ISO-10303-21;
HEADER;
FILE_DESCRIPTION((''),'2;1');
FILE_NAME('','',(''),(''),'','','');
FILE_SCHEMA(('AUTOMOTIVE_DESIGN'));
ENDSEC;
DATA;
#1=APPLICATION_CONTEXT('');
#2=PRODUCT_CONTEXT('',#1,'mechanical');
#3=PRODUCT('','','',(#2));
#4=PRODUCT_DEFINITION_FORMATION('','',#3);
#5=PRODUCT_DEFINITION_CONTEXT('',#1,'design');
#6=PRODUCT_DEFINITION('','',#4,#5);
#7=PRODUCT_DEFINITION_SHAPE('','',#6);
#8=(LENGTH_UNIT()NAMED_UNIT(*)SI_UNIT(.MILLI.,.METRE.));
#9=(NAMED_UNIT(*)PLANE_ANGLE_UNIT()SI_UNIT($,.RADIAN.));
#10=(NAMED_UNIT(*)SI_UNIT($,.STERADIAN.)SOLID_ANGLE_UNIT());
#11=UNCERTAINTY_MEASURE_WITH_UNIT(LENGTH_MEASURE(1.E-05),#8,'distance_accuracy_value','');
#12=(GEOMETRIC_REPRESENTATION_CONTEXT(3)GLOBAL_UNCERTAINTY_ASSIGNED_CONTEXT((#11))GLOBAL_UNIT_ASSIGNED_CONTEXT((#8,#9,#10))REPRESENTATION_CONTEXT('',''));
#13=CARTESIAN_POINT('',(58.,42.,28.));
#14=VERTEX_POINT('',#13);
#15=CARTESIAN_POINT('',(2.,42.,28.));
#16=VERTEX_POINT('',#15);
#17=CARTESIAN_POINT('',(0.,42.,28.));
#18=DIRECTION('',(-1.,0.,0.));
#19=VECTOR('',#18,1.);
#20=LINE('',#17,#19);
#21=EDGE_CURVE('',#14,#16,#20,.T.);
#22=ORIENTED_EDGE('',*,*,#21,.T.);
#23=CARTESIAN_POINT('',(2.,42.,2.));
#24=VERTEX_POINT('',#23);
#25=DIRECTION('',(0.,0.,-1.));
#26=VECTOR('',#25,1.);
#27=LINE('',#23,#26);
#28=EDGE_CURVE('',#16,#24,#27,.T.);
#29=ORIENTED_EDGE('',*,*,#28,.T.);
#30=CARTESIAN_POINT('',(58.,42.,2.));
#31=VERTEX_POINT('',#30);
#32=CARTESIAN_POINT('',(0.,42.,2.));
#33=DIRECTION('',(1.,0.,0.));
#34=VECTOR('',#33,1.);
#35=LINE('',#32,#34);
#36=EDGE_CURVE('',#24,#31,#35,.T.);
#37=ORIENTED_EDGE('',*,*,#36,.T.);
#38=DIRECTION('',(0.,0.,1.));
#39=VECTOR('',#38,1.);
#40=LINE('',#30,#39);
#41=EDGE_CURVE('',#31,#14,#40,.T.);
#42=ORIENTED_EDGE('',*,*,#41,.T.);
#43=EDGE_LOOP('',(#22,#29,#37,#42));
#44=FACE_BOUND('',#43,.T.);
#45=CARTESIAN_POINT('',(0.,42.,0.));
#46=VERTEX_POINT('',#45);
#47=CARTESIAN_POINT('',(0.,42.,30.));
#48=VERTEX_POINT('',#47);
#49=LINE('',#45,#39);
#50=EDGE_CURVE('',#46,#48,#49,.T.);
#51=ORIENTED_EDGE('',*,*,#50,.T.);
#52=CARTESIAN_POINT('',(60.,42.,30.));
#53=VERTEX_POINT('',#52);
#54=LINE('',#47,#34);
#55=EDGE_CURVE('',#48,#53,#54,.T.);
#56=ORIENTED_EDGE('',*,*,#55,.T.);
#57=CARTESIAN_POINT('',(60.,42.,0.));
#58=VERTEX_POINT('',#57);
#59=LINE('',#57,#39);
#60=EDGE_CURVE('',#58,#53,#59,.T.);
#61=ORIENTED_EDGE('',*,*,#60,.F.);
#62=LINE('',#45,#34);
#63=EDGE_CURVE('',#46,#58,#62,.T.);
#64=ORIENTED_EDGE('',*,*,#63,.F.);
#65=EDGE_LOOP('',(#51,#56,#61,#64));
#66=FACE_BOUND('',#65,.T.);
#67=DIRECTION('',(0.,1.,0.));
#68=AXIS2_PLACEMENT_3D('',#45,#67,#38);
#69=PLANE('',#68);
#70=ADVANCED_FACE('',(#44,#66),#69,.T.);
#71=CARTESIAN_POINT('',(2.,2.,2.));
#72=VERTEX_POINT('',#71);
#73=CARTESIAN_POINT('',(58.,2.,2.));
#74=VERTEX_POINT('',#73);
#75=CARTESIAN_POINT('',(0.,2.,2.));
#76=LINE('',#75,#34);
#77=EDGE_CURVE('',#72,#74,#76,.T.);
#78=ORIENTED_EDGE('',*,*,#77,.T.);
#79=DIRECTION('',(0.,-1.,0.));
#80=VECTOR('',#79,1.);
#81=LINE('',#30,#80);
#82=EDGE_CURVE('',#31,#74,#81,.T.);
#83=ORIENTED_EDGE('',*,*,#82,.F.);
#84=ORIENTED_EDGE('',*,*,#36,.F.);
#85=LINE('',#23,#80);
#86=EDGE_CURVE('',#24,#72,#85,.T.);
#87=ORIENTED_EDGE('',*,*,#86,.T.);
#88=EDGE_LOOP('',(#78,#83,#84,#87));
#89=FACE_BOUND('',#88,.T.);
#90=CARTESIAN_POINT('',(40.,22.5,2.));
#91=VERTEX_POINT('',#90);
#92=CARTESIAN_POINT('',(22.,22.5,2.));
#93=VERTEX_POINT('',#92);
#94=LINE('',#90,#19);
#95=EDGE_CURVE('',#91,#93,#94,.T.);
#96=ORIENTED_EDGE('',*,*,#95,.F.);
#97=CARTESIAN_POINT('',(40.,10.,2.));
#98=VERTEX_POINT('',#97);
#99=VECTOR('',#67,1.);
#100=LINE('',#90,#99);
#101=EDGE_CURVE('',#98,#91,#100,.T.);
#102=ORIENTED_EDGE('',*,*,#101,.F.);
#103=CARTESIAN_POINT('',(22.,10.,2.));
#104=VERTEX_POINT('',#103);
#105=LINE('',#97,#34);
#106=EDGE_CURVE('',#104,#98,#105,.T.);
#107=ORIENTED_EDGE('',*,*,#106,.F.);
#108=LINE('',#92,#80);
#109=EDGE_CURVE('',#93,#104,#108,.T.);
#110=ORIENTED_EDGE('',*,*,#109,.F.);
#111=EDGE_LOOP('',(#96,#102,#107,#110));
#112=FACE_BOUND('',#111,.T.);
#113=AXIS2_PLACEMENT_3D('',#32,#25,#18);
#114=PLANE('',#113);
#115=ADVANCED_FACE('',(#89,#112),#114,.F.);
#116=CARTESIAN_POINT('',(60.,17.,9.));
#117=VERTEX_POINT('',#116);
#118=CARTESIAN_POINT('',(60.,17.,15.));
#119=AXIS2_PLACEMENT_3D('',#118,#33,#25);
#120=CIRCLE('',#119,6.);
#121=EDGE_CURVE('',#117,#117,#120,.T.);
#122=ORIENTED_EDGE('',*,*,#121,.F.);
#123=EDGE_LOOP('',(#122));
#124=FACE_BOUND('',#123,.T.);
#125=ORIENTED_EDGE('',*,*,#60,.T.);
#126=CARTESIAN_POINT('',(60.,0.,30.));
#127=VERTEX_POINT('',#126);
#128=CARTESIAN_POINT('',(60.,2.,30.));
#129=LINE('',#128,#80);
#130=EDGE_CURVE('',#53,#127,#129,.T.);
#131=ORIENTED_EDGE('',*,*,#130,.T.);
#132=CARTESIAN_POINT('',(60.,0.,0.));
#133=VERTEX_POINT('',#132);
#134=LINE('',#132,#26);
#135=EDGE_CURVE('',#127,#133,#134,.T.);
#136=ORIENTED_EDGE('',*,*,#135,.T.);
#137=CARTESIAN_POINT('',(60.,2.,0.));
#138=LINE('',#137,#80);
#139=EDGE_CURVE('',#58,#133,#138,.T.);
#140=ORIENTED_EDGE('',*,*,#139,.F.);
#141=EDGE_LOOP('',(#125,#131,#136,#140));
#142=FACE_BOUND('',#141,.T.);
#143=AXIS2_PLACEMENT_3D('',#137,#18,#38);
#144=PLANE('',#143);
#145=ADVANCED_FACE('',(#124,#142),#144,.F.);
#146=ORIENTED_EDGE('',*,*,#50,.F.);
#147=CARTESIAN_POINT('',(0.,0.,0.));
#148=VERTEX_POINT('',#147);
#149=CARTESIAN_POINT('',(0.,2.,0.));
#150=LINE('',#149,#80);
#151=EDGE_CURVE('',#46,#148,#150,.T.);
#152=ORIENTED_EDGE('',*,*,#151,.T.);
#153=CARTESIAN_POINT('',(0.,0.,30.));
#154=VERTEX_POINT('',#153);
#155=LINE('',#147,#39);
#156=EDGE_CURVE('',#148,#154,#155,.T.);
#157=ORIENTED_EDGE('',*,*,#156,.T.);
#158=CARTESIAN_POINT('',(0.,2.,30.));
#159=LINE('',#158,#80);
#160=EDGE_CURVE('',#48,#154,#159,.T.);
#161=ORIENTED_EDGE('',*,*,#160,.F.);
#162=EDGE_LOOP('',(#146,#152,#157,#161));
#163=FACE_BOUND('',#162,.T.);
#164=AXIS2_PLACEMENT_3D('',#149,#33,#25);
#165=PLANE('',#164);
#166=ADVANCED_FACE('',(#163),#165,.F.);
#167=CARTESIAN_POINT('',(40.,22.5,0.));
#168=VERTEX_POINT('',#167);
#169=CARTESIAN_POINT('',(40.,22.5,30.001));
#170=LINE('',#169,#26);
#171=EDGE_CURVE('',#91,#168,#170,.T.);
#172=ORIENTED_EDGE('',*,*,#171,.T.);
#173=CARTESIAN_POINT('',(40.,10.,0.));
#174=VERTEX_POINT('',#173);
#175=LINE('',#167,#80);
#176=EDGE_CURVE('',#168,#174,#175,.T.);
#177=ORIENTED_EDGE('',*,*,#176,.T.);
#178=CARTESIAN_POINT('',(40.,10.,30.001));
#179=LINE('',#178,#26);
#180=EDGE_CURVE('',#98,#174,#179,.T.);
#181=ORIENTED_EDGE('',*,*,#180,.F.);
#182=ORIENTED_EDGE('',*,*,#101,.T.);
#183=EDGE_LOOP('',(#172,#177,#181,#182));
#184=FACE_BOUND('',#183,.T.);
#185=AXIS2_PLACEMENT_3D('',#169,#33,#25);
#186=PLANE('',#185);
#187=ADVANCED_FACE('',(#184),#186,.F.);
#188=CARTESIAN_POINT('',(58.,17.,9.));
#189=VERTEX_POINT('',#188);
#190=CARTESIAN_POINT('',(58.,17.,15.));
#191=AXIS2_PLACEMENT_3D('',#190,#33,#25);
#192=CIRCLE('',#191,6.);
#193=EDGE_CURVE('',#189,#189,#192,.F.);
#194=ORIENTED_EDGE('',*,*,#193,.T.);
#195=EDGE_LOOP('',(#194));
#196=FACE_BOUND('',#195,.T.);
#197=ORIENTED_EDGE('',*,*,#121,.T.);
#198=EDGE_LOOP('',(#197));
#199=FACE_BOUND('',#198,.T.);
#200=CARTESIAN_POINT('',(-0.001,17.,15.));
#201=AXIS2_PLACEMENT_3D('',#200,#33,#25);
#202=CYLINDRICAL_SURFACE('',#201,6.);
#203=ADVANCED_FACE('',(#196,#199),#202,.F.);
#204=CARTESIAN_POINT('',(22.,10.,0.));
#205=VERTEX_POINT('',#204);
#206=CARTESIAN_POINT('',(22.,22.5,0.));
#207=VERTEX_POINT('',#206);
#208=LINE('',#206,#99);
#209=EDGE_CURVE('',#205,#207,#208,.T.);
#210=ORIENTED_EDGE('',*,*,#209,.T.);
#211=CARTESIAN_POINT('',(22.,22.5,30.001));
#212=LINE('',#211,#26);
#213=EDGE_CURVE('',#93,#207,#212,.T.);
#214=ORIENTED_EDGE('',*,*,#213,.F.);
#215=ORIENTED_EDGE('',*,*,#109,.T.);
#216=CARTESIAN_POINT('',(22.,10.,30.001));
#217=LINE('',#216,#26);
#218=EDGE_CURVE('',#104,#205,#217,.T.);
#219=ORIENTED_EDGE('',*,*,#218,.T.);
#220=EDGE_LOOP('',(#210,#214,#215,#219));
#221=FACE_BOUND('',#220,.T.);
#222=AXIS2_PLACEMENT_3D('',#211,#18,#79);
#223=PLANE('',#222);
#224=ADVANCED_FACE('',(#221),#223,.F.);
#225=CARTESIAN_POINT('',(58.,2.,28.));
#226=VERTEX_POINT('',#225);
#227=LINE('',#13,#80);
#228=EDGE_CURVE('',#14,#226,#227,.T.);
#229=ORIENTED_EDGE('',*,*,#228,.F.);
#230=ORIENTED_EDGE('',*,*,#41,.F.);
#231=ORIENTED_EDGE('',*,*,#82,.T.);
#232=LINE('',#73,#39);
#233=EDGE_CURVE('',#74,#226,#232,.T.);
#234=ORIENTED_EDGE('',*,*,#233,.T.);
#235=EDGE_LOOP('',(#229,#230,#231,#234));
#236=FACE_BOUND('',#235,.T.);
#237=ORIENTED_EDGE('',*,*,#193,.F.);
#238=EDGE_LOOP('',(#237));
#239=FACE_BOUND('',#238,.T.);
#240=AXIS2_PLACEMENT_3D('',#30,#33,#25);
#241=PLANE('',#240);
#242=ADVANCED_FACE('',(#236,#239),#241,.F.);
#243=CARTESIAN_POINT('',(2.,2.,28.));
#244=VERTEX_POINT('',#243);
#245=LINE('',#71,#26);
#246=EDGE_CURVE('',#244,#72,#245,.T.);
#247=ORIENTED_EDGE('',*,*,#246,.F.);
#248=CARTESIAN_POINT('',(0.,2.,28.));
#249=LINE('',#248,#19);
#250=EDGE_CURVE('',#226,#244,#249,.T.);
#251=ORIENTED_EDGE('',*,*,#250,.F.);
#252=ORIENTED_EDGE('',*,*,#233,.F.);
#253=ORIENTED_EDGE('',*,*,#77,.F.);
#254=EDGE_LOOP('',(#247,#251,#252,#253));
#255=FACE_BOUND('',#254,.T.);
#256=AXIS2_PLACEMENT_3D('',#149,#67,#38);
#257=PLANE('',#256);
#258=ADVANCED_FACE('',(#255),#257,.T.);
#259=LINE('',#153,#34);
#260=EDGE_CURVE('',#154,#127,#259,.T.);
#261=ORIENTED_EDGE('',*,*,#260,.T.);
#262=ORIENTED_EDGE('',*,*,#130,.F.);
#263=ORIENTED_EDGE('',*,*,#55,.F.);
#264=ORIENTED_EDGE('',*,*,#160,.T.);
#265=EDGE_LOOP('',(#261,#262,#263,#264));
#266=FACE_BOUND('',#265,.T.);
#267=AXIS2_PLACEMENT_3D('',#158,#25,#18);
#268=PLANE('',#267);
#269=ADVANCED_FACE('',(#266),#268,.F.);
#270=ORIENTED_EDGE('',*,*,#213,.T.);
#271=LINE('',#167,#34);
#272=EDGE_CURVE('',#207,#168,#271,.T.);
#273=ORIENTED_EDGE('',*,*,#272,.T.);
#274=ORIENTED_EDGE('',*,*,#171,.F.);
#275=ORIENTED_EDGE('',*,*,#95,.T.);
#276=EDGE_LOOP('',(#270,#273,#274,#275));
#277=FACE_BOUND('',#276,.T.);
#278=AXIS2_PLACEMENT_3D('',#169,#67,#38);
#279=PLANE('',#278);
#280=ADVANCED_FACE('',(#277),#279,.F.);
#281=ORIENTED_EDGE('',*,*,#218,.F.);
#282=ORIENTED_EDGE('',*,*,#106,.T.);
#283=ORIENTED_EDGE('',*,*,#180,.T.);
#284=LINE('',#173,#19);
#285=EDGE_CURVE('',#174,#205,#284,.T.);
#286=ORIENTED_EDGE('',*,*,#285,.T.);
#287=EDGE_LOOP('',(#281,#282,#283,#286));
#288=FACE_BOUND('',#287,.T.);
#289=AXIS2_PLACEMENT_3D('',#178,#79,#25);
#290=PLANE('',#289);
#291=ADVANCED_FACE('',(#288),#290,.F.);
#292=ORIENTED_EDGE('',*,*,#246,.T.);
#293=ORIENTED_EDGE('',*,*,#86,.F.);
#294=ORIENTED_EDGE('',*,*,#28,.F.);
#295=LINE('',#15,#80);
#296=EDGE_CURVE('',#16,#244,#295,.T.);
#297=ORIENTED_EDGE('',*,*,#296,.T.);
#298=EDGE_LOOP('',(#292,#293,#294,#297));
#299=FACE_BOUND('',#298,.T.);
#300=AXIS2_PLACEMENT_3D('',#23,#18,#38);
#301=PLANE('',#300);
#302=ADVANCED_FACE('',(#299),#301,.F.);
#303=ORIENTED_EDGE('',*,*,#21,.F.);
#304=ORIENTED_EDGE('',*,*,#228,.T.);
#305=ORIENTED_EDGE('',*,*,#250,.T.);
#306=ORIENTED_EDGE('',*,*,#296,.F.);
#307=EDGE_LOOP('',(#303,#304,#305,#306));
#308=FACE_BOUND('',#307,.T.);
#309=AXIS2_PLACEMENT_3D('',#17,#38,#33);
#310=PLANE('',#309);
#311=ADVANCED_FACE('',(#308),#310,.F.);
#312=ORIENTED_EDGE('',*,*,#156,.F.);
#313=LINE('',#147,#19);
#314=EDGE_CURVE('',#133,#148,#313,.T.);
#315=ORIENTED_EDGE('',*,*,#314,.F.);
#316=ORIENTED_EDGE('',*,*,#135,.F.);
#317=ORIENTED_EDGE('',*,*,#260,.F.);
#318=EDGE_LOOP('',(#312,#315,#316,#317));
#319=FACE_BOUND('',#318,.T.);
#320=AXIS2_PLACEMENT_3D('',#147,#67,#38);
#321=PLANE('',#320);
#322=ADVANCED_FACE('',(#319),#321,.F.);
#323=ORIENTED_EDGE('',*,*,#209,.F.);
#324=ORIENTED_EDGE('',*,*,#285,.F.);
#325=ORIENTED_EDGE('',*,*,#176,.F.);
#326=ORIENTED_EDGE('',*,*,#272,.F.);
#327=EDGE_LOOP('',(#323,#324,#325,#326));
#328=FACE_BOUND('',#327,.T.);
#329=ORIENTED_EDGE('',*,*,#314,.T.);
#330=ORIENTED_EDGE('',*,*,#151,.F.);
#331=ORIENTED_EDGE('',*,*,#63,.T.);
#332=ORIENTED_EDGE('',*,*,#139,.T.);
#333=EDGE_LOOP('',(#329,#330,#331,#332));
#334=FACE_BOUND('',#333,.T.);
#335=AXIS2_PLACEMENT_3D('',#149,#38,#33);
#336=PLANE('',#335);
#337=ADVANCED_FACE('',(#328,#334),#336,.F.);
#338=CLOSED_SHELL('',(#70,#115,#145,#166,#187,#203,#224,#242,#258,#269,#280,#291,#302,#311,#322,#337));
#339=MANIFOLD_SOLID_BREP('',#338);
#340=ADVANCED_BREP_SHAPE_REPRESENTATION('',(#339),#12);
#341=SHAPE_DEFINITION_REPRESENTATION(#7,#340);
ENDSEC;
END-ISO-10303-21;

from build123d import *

# Parameters (mm, degrees)
SKETCH1_W           = 60
SKETCH1_H           = 30
BOSS_EXTRUDE1_DEPTH = 2
SKETCH2_W           = 60
SKETCH2_H           = 2
BOSS_EXTRUDE2_DEPTH = 40
SKETCH3_W           = 60
SKETCH3_H           = 2
BOSS_EXTRUDE3_DEPTH = 40
SKETCH4_W           = 2
SKETCH4_H           = 26
BOSS_EXTRUDE4_DEPTH = 40
SKETCH5_W           = 2
SKETCH5_H           = 26
BOSS_EXTRUDE5_DEPTH = 40
CUT_EXTRUDE3_REACH  = 81.145
SKETCH7_R           = 6
CUT_EXTRUDE4_REACH  = 81.145
SKETCH8_W           = 18
SKETCH8_H           = 12.5


with BuildPart() as part:
    # Sketch1 → Boss-Extrude1 (new body)
    with BuildSketch(Plane(origin=(0, 0, 0), x_dir=(1, 0, 0), z_dir=(0, 1, 0))):
        with Locations((30, -15)):
            Rectangle(SKETCH1_W, SKETCH1_H)
    extrude(amount=BOSS_EXTRUDE1_DEPTH)

    # Sketch2 → Boss-Extrude2 (add)
    with BuildSketch(Plane(origin=(0, 2, 0), x_dir=(1, 0, 0), z_dir=(0, 1, 0))):
        with Locations((30, -1)):
            Rectangle(SKETCH2_W, SKETCH2_H)
    extrude(amount=BOSS_EXTRUDE2_DEPTH)

    # Sketch3 → Boss-Extrude3 (add)
    with BuildSketch(Plane(origin=(0, 2, 0), x_dir=(1, 0, 0), z_dir=(0, 1, 0))):
        with Locations((30, -29)):
            Rectangle(SKETCH3_W, SKETCH3_H)
    extrude(amount=BOSS_EXTRUDE3_DEPTH)

    # Sketch4 → Boss-Extrude4 (add)
    with BuildSketch(Plane(origin=(0, 2, 0), x_dir=(1, 0, 0), z_dir=(0, 1, 0))):
        with Locations((1, -15)):
            Rectangle(SKETCH4_W, SKETCH4_H)
    extrude(amount=BOSS_EXTRUDE4_DEPTH)

    # Sketch5 → Boss-Extrude5 (add)
    with BuildSketch(Plane(origin=(0, 2, 0), x_dir=(1, 0, 0), z_dir=(0, 1, 0))):
        with Locations((59, -15)):
            Rectangle(SKETCH5_W, SKETCH5_H)
    extrude(amount=BOSS_EXTRUDE5_DEPTH)

    # Sketch7 → Cut-Extrude3 (cut, up to next)
    with BuildSketch(Plane(origin=(60, 0, 0), x_dir=(0, 0, -1), z_dir=(1, 0, 0)), mode=Mode.PRIVATE) as cut_extrude3_sk1:
        with Locations((-15, 17)):
            Circle(SKETCH7_R)
    cut_extrude3_tool1 = extrude(cut_extrude3_sk1.sketch, amount=-CUT_EXTRUDE3_REACH, mode=Mode.PRIVATE) & part.part
    add(cut_extrude3_tool1.solids().sort_by_distance((60, 17, 15))[0], mode=Mode.SUBTRACT)

    # Sketch8 → Cut-Extrude4 (cut, up to next)
    with BuildSketch(Plane(origin=(0, 0, 0), x_dir=(-1, 0, 0), z_dir=(0, 0, -1)), mode=Mode.PRIVATE) as cut_extrude4_sk1:
        with Locations((-31, 16.25)):
            Rectangle(SKETCH8_W, SKETCH8_H)
    cut_extrude4_tool1 = extrude(cut_extrude4_sk1.sketch, amount=-CUT_EXTRUDE4_REACH, mode=Mode.PRIVATE) & part.part
    add(cut_extrude4_tool1.solids().sort_by_distance((31, 16.25, 0))[0], mode=Mode.SUBTRACT)


solid = part.part
